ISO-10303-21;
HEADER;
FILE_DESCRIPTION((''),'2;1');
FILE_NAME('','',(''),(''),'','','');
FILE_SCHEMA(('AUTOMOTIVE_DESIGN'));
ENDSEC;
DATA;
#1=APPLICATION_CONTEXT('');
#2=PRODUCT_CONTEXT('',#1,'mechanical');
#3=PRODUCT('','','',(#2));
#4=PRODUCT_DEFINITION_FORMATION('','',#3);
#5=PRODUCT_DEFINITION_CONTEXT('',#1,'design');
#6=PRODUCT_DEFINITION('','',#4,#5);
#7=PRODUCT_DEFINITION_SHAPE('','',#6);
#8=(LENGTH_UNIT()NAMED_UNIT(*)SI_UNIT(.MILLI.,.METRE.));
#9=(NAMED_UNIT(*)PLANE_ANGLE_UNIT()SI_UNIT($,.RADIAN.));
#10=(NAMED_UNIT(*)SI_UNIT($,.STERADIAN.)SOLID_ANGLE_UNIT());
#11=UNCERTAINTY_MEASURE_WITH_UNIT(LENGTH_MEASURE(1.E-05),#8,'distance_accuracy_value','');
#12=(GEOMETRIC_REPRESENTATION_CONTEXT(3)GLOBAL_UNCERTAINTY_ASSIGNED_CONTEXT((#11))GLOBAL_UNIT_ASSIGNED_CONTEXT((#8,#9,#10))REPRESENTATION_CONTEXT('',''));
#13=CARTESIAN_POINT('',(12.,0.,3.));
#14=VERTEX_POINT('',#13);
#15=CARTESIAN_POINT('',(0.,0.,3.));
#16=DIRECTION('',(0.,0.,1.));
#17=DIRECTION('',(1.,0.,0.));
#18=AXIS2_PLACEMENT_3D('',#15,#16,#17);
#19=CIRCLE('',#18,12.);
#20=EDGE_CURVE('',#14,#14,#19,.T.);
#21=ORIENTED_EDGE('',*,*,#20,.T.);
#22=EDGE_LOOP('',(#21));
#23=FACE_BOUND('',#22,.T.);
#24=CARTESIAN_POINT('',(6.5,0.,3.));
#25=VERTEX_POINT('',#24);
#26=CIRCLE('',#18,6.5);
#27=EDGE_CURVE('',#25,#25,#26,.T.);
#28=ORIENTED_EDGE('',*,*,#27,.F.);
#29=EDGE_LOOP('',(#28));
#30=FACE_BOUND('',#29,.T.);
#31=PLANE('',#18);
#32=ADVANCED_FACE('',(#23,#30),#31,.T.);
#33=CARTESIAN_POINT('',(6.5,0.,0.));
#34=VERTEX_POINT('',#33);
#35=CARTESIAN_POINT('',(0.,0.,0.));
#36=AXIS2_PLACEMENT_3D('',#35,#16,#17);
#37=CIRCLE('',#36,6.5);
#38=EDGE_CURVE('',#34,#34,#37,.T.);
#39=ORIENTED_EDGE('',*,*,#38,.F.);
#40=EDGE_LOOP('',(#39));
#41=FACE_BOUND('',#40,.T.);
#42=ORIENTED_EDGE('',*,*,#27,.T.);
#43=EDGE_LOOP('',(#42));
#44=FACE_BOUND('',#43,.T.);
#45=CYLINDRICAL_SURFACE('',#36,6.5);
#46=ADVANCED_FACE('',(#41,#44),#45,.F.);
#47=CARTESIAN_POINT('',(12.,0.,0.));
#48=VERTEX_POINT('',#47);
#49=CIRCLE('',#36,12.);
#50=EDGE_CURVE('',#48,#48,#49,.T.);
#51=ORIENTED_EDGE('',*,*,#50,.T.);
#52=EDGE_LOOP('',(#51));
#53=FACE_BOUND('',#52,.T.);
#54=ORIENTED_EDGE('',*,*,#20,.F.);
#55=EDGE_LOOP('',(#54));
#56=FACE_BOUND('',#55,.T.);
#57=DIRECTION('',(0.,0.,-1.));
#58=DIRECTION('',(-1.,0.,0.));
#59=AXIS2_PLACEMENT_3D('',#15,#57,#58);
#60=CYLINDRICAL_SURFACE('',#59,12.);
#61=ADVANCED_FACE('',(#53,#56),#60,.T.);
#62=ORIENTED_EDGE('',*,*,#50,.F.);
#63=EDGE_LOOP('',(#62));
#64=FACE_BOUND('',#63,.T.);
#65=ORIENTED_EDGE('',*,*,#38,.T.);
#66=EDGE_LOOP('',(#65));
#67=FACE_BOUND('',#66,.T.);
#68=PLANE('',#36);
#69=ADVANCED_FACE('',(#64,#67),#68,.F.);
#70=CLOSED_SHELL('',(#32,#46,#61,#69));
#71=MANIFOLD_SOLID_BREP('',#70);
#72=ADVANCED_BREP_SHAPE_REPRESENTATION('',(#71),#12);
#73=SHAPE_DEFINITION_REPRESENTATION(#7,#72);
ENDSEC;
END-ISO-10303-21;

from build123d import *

# Parameters (mm, degrees)
SKETCH_1_R          = 12
EXTRUDE_1_DEPTH     = 3
SKETCH_3_R          = 6.5
CUT_EXTRUDE_1_DEPTH = 3


with BuildPart() as part:
    # 草图1 → 凸台-拉伸1 (new body)
    with BuildSketch(Plane.XY):
        Circle(SKETCH_1_R)
    extrude(amount=EXTRUDE_1_DEPTH)

    # 草图3 → 切除-拉伸1 (cut)
    with BuildSketch(Plane.XY.offset(3)):
        Circle(SKETCH_3_R)
    extrude(amount=-CUT_EXTRUDE_1_DEPTH, mode=Mode.SUBTRACT)


solid = part.part
